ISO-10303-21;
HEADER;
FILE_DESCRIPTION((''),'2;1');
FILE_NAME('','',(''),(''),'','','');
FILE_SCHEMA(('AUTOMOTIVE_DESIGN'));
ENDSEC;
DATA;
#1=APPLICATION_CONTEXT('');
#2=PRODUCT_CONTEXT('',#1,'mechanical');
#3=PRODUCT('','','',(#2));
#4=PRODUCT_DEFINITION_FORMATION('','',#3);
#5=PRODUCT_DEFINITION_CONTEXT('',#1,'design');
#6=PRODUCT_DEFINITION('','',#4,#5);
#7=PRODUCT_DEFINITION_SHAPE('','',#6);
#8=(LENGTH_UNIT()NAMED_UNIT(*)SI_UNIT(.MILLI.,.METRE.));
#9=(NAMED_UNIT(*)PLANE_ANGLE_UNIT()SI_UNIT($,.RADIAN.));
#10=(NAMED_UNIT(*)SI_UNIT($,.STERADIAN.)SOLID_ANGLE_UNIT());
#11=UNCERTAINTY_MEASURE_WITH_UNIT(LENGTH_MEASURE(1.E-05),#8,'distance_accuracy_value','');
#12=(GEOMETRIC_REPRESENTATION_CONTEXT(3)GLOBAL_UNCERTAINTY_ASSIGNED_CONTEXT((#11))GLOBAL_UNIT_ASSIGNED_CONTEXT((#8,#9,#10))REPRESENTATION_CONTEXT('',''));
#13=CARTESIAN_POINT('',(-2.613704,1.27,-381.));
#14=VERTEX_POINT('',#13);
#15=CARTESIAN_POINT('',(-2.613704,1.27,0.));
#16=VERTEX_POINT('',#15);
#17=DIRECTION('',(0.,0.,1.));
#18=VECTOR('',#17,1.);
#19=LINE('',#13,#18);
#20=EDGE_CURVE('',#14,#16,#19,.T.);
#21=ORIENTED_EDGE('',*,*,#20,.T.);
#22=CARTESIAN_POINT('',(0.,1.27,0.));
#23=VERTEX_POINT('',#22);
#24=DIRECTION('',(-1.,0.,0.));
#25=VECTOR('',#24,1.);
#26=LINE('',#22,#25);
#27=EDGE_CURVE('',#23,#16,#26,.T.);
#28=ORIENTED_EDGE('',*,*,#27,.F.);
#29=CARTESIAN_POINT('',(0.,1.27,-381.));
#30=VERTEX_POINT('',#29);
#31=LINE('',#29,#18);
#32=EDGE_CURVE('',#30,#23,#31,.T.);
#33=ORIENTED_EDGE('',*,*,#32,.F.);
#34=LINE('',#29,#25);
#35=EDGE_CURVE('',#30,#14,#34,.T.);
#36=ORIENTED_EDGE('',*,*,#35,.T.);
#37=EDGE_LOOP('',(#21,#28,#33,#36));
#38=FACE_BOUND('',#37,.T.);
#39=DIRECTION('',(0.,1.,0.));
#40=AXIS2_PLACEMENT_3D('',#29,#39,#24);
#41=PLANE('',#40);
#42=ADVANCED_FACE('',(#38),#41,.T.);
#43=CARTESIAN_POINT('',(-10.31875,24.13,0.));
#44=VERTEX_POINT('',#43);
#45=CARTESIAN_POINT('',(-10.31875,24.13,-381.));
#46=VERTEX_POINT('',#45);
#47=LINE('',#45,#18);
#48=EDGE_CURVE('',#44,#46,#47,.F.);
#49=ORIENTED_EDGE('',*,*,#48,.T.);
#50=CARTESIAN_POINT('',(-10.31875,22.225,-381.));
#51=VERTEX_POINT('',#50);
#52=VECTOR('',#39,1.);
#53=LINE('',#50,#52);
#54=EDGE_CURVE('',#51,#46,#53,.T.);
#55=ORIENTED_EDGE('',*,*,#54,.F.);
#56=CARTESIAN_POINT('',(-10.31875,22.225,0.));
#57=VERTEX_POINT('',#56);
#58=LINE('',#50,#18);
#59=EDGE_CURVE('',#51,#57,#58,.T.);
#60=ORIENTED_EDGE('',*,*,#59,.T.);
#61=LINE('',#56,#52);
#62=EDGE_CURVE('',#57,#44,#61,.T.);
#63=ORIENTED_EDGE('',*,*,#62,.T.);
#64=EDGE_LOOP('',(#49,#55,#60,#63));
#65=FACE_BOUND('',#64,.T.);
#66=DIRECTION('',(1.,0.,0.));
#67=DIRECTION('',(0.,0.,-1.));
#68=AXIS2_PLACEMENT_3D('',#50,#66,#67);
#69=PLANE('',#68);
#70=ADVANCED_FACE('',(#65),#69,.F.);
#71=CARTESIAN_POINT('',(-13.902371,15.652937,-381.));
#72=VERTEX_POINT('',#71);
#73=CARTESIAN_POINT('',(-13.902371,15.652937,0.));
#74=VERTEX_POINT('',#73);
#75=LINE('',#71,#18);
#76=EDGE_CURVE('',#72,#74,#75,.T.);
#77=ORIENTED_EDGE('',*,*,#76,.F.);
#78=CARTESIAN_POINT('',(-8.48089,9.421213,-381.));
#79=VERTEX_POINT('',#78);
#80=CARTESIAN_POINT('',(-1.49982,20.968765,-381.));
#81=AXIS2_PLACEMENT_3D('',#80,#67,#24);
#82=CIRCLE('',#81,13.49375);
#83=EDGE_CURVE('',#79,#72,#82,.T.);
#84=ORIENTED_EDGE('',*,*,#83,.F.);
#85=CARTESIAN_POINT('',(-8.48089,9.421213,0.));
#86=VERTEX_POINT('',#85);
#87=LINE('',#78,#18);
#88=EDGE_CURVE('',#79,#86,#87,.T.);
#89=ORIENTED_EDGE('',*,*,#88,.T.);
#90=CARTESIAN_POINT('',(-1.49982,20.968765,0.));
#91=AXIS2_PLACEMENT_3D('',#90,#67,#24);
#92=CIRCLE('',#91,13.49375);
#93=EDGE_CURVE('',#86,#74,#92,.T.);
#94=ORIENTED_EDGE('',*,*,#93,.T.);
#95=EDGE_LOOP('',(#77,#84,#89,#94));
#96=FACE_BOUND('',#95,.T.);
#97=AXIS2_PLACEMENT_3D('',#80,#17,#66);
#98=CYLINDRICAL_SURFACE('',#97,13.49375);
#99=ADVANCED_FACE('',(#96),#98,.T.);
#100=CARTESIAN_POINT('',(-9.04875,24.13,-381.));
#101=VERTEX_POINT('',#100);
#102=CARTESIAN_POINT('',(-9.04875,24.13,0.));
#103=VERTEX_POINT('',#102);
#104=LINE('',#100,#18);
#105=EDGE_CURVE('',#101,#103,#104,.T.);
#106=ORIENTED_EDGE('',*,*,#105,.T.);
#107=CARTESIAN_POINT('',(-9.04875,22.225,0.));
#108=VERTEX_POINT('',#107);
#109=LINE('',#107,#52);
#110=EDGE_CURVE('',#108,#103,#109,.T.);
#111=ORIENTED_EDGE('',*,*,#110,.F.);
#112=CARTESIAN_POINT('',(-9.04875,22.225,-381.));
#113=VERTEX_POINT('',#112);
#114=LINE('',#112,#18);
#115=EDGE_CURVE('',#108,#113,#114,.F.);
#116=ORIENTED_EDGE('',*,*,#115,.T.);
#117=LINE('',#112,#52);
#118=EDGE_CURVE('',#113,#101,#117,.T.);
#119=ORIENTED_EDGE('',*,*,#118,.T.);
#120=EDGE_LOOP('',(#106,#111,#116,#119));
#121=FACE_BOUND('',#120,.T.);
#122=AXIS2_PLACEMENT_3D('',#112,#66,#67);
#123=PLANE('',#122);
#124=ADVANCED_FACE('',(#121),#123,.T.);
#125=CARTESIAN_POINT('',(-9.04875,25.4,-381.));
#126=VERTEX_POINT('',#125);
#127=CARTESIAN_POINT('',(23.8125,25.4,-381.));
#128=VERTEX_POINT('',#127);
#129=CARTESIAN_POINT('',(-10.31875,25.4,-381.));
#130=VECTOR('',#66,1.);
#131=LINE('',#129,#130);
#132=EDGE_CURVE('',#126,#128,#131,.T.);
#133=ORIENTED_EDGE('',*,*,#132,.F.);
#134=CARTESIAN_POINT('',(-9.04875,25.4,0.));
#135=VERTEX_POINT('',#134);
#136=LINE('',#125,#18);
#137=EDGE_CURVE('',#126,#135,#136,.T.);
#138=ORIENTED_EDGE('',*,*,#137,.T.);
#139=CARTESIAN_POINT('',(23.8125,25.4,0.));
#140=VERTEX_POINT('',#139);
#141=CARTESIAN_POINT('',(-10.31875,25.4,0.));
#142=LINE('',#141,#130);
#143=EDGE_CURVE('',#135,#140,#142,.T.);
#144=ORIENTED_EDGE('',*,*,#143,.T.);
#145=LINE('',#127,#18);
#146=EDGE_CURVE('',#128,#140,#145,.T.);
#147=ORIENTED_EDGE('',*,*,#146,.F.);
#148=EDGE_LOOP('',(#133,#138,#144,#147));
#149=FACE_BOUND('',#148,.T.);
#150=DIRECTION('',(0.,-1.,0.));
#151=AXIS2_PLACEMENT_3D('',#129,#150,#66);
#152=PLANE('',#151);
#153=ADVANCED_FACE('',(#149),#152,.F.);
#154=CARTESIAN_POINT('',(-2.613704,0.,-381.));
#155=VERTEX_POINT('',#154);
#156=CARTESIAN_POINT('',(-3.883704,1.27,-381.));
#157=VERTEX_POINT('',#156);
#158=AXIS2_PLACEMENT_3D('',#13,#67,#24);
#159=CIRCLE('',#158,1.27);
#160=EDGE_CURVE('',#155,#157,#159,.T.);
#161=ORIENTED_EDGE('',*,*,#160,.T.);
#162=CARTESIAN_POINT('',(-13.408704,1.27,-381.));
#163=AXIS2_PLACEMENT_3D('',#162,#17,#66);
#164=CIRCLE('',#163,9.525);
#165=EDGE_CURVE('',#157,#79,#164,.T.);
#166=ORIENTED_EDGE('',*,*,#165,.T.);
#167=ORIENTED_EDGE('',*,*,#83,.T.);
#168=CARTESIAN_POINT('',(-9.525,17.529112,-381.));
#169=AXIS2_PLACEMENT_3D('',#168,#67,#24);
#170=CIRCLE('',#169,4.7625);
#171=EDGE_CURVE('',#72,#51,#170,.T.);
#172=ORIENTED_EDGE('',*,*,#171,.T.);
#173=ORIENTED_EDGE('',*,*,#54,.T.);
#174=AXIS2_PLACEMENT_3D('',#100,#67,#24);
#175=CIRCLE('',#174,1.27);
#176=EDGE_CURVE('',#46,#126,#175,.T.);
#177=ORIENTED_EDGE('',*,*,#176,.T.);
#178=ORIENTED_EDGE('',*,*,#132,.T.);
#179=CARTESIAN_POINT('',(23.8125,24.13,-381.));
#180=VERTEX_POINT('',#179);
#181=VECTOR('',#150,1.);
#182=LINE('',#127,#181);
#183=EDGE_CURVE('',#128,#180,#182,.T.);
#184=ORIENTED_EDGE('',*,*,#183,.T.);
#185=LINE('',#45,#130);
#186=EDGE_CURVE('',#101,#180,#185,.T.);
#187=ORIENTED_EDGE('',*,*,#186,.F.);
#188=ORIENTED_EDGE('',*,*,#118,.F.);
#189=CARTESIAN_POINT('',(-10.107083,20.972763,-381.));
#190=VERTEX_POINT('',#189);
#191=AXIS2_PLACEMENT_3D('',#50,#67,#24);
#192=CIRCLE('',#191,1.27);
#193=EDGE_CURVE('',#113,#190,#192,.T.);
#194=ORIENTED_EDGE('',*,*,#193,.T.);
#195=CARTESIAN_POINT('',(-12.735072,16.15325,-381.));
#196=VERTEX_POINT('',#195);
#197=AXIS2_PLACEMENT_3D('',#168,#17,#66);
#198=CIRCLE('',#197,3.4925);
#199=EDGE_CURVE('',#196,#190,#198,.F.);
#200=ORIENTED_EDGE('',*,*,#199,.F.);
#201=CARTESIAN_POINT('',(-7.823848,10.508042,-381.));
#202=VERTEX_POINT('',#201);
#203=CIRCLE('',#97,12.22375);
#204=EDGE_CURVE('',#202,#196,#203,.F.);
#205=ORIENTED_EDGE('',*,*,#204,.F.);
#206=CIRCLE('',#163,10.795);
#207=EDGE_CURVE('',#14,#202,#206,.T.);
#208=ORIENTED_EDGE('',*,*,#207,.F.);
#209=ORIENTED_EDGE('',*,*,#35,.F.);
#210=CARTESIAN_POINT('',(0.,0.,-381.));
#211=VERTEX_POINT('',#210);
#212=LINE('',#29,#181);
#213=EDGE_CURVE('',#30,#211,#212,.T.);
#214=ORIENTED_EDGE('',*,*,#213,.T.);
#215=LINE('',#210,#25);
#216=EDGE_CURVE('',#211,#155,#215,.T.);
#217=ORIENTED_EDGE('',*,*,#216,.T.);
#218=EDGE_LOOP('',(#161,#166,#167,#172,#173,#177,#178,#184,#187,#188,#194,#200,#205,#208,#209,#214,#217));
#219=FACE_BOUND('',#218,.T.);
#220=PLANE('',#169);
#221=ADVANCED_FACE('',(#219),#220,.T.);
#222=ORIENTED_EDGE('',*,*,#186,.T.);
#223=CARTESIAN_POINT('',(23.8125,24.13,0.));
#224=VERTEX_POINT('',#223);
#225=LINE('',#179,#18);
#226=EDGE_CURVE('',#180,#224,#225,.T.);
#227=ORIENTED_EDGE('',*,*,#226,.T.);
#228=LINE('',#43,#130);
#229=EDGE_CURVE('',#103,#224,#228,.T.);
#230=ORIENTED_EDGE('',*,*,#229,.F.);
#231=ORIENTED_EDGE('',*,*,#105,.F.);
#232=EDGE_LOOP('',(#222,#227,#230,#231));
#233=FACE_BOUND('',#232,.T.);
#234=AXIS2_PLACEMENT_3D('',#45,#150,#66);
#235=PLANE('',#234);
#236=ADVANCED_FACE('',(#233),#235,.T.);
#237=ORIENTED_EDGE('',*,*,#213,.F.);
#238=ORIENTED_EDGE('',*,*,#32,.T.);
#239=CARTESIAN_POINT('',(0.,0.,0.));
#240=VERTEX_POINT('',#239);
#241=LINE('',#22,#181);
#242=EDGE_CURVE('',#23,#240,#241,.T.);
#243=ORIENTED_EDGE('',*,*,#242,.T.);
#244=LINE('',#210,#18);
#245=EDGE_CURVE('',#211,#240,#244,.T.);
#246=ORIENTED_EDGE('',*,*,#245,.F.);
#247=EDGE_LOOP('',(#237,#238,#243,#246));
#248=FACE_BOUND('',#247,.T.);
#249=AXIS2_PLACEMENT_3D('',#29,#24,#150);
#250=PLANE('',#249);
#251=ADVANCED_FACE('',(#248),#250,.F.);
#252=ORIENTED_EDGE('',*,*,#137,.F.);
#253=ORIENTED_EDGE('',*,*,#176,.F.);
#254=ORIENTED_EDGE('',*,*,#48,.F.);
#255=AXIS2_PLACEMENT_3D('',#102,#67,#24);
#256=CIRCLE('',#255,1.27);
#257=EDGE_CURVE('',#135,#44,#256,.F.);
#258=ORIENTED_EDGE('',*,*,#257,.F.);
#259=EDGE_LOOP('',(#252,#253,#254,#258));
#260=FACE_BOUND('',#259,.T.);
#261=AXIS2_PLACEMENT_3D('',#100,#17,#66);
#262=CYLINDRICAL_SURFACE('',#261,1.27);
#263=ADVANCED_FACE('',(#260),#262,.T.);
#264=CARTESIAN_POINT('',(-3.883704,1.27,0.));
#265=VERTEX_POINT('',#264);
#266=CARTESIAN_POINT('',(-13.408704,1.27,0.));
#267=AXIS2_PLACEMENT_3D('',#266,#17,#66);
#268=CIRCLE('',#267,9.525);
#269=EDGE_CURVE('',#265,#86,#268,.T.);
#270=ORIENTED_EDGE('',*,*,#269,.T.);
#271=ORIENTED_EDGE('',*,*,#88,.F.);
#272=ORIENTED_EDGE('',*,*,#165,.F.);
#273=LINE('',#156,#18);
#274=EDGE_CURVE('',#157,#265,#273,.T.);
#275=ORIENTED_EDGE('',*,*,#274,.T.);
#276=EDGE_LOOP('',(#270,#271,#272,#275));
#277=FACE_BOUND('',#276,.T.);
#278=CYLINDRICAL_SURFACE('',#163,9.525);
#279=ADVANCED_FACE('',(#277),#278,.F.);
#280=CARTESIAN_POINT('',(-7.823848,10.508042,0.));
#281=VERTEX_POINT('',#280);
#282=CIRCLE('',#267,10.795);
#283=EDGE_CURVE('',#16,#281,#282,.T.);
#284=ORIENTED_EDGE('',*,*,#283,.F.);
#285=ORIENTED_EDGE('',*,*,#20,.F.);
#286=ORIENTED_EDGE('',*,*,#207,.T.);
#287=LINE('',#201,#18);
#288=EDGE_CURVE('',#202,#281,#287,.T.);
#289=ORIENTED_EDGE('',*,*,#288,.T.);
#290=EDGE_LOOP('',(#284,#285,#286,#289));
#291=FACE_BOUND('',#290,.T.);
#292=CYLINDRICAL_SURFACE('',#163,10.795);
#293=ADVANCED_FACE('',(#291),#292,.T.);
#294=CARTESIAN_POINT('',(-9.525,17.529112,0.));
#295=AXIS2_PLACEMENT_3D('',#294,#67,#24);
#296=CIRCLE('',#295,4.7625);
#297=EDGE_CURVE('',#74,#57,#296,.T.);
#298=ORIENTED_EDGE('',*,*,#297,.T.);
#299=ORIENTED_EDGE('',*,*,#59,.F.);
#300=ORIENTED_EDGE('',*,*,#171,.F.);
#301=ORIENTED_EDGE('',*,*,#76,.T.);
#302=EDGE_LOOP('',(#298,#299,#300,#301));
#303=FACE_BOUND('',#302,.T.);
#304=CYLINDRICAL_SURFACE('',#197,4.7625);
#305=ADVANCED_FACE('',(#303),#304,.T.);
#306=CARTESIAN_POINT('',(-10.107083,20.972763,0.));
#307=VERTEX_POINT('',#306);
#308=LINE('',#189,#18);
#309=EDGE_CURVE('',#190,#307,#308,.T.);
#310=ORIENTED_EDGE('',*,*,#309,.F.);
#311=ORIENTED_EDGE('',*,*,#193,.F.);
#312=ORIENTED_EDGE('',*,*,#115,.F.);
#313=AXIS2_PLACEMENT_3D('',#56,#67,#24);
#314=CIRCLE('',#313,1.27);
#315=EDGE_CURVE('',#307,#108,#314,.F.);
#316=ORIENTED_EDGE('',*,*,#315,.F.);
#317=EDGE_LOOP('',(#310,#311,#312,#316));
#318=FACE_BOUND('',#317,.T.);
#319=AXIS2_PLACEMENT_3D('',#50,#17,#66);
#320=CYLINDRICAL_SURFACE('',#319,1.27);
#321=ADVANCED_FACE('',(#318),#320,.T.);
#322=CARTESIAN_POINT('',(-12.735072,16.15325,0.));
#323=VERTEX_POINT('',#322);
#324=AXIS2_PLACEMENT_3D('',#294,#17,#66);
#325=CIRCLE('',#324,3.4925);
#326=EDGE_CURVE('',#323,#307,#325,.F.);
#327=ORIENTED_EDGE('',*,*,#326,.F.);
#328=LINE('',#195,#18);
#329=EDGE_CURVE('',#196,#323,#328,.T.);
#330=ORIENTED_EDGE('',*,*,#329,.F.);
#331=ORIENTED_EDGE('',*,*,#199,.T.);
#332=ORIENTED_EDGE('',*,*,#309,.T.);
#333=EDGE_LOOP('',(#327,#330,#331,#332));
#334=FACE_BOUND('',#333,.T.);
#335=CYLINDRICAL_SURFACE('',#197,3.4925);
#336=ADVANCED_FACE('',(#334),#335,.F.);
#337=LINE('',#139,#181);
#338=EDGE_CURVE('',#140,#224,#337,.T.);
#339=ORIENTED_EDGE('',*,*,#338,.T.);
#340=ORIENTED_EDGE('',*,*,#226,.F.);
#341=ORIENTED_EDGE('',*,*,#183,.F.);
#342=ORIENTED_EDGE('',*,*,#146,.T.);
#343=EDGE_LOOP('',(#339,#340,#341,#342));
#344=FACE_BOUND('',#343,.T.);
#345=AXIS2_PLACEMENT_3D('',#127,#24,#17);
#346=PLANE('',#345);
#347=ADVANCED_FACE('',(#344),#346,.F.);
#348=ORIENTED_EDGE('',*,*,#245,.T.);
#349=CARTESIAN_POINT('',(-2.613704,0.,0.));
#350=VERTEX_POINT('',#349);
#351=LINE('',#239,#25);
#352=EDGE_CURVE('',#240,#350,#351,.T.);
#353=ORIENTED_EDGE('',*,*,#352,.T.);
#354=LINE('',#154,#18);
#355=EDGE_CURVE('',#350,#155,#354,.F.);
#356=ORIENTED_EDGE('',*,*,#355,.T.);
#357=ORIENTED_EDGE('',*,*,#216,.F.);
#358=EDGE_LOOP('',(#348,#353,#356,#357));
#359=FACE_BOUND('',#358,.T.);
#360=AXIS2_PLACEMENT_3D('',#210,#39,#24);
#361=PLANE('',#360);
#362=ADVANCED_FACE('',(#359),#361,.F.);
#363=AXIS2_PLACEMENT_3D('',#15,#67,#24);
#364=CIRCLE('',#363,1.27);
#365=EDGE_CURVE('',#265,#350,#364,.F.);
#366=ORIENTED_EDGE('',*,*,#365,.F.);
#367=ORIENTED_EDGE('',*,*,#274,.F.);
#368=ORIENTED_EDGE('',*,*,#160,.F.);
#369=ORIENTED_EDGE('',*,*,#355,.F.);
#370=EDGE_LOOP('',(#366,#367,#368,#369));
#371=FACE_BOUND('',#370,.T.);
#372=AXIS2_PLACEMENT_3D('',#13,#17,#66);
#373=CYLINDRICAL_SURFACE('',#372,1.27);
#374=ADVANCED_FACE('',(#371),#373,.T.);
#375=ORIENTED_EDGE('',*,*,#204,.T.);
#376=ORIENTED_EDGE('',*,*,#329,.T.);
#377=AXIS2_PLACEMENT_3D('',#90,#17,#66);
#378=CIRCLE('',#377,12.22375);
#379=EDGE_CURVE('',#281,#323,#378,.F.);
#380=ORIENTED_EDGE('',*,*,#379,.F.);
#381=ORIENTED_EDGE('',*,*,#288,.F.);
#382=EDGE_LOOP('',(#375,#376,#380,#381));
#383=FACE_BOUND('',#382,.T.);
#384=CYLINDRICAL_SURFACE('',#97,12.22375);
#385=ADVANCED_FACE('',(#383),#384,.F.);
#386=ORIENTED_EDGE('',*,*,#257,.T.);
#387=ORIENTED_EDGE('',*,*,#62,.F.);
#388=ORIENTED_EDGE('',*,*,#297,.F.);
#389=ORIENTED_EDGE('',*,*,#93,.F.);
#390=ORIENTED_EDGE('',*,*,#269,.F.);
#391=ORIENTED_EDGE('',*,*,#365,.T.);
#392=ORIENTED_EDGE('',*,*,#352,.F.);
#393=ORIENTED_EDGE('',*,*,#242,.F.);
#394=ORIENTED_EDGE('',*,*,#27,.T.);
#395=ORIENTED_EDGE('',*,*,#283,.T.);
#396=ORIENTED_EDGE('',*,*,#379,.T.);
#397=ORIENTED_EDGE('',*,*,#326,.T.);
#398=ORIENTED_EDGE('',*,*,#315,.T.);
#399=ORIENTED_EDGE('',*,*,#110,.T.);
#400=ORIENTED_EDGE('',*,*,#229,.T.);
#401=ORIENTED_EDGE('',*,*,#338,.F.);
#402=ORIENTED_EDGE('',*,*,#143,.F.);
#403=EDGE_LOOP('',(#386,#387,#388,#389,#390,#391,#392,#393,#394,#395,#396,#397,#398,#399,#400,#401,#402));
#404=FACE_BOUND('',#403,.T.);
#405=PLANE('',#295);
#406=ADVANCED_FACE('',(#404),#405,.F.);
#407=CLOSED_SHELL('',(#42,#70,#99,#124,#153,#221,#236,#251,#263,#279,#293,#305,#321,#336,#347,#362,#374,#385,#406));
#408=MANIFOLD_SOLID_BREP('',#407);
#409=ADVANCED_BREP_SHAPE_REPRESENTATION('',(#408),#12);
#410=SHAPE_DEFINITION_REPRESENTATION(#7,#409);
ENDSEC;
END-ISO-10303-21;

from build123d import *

# Parameters (mm, degrees)
EXTRUDE_THIN1_DEPTH = 381
FILLET1_R           = 1.27


with BuildPart() as part:
    # Sketch1 → Extrude-Thin1 (new body)
    with BuildSketch(Plane.XY):
        with BuildLine():
            Line((0, 0), (-3.96875, 0))
            ThreePointArc((-3.96875, 0), (-4.818127422, 5.384319506), (-8.48088981, 9.421213144))
            ThreePointArc((-8.48088981, 9.421213144), (-11.680182616, 12.112043916), (-13.902370802, 15.652937077))
            ThreePointArc((-13.902370802, 15.652937077), (-13.70628274, 19.809085553), (-10.31875, 22.225))
            Line((-10.31875, 22.225), (-10.31875, 25.4))
            Line((-10.31875, 25.4), (23.8125, 25.4))
            Line((23.8125, 25.4), (23.8125, 24.13))
            Line((23.8125, 24.13), (-9.04875, 24.13))
            Line((-9.04875, 24.13), (-9.04875, 20.988987709))
            ThreePointArc((-9.04875, 20.988987709), (-12.302505111, 19.646426389), (-12.735071921, 16.153250302))
            ThreePointArc((-12.735071921, 16.153250302), (-10.722030859, 12.945617675), (-7.823847964, 10.508041563))
            ThreePointArc((-7.823847964, 10.508041563), (-4.006030041, 6.572994806), (-2.613703655, 1.27))
            Line((-2.613703655, 1.27), (0, 1.27))
            Line((0, 1.27), (0, 0))
        make_face()
    extrude(amount=-EXTRUDE_THIN1_DEPTH)

    # Fillet1
    fillet1_edges = [part.edges().sort_by_distance(p)[0] for p in [
        (-9.04875, 20.988987709, -190.5),
        (-3.96875, 0, -190.5),
        (-10.31875, 25.4, -190.5),
    ]]
    fillet(fillet1_edges, radius=FILLET1_R)


solid = part.part
